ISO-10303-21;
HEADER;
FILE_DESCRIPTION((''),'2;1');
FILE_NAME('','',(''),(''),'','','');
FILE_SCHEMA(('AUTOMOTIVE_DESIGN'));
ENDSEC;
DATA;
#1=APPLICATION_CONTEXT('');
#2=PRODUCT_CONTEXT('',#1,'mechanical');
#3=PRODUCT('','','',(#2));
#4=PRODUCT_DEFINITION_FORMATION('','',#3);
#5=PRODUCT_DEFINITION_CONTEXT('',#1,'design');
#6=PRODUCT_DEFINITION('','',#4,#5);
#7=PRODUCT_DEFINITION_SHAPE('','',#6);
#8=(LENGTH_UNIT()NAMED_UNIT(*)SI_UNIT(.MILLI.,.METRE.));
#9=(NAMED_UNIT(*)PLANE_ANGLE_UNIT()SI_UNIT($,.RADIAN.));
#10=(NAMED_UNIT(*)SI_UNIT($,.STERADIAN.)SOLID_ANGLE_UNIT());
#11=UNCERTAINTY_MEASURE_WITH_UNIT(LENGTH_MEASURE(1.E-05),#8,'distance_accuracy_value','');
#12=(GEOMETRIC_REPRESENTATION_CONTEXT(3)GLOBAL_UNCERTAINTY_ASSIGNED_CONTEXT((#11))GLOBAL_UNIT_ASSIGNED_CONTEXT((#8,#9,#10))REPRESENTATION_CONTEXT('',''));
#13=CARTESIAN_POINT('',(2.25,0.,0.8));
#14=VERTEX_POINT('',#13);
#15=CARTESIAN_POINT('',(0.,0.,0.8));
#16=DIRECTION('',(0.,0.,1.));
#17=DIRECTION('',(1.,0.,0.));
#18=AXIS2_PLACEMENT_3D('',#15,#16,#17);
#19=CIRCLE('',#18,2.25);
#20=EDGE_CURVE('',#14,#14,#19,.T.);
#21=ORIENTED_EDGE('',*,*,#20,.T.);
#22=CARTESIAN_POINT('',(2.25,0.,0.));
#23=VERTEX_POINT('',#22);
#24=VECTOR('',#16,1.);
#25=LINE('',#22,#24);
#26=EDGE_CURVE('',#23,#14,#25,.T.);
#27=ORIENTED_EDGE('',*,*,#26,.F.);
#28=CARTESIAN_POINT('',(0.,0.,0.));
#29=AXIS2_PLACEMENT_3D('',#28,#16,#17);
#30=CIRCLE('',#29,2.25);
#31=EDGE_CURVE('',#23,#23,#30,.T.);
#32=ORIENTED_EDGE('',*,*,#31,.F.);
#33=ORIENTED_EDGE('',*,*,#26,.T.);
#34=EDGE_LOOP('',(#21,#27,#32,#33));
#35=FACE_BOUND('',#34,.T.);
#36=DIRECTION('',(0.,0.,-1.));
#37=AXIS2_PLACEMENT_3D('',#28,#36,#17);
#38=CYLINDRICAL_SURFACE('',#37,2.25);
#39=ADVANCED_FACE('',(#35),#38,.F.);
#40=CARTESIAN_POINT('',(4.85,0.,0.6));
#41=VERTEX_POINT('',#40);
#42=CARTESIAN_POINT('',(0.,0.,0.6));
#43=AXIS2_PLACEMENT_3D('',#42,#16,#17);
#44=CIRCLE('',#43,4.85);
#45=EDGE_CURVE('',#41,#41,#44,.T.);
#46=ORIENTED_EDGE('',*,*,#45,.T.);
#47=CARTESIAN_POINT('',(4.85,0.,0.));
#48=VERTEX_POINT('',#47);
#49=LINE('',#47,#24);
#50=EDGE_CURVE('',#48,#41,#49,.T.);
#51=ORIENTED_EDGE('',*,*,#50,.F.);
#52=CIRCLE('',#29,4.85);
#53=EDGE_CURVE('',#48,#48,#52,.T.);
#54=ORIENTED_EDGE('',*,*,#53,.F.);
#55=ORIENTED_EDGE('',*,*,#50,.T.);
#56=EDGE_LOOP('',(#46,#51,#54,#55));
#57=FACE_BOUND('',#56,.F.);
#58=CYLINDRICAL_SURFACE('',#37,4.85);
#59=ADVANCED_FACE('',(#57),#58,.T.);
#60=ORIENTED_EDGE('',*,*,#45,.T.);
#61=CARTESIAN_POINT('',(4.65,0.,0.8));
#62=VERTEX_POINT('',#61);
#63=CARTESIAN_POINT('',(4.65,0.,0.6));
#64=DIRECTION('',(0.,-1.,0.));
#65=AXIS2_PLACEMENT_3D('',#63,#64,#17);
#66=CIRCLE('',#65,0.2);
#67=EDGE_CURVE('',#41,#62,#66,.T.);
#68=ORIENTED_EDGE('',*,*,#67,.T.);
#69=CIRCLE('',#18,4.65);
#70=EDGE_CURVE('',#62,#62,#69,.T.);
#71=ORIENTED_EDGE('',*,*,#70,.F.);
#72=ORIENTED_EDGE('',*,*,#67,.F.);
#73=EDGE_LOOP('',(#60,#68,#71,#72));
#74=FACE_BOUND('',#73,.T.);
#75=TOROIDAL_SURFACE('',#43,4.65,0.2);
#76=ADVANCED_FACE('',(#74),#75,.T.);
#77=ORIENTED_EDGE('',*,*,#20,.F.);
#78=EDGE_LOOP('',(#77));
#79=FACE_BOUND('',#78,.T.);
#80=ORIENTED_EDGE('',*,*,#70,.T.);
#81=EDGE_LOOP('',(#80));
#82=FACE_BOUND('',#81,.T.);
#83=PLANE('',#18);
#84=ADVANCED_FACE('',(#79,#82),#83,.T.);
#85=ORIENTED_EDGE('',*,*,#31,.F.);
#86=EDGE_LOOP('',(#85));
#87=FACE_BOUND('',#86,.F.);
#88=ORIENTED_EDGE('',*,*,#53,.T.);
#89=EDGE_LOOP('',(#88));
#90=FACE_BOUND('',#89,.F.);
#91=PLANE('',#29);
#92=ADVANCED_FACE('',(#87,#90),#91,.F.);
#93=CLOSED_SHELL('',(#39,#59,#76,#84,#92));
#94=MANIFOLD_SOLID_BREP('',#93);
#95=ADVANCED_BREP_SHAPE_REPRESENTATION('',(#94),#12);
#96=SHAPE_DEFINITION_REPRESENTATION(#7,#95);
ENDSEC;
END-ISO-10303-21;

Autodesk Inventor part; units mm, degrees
ref_plane "YZ Plane" through (0, 0, 0) normal (1, 0, 0) x (0, 1, 0)
ref_plane "XZ Plane" through (0, 0, 0) normal (0, 1, 0) x (-1, 0, 0)
ref_plane "XY Plane" through (0, 0, 0) normal (0, 0, 1) x (1, 0, 0)
sketch "スケッチ1" plane through (0, 0, 0) normal (0, 0, 1) x (1, 0, 0)
  circle A0 centre (0, 0) radius 2.25
  circle A1 centre (0, 0) radius 4.85
  dimension "d0" = 4.5
  dimension "d1" = 9.7
extrude "押し出し1" add sketch "スケッチ1" along normal blind 0.8
fillet "フィレット1" radius 0.2 1 edges at (-4.85, 0, 0.8)
properties part number "Spring_M3_for_SetCollar_d6" material "ステンレス鋼"
